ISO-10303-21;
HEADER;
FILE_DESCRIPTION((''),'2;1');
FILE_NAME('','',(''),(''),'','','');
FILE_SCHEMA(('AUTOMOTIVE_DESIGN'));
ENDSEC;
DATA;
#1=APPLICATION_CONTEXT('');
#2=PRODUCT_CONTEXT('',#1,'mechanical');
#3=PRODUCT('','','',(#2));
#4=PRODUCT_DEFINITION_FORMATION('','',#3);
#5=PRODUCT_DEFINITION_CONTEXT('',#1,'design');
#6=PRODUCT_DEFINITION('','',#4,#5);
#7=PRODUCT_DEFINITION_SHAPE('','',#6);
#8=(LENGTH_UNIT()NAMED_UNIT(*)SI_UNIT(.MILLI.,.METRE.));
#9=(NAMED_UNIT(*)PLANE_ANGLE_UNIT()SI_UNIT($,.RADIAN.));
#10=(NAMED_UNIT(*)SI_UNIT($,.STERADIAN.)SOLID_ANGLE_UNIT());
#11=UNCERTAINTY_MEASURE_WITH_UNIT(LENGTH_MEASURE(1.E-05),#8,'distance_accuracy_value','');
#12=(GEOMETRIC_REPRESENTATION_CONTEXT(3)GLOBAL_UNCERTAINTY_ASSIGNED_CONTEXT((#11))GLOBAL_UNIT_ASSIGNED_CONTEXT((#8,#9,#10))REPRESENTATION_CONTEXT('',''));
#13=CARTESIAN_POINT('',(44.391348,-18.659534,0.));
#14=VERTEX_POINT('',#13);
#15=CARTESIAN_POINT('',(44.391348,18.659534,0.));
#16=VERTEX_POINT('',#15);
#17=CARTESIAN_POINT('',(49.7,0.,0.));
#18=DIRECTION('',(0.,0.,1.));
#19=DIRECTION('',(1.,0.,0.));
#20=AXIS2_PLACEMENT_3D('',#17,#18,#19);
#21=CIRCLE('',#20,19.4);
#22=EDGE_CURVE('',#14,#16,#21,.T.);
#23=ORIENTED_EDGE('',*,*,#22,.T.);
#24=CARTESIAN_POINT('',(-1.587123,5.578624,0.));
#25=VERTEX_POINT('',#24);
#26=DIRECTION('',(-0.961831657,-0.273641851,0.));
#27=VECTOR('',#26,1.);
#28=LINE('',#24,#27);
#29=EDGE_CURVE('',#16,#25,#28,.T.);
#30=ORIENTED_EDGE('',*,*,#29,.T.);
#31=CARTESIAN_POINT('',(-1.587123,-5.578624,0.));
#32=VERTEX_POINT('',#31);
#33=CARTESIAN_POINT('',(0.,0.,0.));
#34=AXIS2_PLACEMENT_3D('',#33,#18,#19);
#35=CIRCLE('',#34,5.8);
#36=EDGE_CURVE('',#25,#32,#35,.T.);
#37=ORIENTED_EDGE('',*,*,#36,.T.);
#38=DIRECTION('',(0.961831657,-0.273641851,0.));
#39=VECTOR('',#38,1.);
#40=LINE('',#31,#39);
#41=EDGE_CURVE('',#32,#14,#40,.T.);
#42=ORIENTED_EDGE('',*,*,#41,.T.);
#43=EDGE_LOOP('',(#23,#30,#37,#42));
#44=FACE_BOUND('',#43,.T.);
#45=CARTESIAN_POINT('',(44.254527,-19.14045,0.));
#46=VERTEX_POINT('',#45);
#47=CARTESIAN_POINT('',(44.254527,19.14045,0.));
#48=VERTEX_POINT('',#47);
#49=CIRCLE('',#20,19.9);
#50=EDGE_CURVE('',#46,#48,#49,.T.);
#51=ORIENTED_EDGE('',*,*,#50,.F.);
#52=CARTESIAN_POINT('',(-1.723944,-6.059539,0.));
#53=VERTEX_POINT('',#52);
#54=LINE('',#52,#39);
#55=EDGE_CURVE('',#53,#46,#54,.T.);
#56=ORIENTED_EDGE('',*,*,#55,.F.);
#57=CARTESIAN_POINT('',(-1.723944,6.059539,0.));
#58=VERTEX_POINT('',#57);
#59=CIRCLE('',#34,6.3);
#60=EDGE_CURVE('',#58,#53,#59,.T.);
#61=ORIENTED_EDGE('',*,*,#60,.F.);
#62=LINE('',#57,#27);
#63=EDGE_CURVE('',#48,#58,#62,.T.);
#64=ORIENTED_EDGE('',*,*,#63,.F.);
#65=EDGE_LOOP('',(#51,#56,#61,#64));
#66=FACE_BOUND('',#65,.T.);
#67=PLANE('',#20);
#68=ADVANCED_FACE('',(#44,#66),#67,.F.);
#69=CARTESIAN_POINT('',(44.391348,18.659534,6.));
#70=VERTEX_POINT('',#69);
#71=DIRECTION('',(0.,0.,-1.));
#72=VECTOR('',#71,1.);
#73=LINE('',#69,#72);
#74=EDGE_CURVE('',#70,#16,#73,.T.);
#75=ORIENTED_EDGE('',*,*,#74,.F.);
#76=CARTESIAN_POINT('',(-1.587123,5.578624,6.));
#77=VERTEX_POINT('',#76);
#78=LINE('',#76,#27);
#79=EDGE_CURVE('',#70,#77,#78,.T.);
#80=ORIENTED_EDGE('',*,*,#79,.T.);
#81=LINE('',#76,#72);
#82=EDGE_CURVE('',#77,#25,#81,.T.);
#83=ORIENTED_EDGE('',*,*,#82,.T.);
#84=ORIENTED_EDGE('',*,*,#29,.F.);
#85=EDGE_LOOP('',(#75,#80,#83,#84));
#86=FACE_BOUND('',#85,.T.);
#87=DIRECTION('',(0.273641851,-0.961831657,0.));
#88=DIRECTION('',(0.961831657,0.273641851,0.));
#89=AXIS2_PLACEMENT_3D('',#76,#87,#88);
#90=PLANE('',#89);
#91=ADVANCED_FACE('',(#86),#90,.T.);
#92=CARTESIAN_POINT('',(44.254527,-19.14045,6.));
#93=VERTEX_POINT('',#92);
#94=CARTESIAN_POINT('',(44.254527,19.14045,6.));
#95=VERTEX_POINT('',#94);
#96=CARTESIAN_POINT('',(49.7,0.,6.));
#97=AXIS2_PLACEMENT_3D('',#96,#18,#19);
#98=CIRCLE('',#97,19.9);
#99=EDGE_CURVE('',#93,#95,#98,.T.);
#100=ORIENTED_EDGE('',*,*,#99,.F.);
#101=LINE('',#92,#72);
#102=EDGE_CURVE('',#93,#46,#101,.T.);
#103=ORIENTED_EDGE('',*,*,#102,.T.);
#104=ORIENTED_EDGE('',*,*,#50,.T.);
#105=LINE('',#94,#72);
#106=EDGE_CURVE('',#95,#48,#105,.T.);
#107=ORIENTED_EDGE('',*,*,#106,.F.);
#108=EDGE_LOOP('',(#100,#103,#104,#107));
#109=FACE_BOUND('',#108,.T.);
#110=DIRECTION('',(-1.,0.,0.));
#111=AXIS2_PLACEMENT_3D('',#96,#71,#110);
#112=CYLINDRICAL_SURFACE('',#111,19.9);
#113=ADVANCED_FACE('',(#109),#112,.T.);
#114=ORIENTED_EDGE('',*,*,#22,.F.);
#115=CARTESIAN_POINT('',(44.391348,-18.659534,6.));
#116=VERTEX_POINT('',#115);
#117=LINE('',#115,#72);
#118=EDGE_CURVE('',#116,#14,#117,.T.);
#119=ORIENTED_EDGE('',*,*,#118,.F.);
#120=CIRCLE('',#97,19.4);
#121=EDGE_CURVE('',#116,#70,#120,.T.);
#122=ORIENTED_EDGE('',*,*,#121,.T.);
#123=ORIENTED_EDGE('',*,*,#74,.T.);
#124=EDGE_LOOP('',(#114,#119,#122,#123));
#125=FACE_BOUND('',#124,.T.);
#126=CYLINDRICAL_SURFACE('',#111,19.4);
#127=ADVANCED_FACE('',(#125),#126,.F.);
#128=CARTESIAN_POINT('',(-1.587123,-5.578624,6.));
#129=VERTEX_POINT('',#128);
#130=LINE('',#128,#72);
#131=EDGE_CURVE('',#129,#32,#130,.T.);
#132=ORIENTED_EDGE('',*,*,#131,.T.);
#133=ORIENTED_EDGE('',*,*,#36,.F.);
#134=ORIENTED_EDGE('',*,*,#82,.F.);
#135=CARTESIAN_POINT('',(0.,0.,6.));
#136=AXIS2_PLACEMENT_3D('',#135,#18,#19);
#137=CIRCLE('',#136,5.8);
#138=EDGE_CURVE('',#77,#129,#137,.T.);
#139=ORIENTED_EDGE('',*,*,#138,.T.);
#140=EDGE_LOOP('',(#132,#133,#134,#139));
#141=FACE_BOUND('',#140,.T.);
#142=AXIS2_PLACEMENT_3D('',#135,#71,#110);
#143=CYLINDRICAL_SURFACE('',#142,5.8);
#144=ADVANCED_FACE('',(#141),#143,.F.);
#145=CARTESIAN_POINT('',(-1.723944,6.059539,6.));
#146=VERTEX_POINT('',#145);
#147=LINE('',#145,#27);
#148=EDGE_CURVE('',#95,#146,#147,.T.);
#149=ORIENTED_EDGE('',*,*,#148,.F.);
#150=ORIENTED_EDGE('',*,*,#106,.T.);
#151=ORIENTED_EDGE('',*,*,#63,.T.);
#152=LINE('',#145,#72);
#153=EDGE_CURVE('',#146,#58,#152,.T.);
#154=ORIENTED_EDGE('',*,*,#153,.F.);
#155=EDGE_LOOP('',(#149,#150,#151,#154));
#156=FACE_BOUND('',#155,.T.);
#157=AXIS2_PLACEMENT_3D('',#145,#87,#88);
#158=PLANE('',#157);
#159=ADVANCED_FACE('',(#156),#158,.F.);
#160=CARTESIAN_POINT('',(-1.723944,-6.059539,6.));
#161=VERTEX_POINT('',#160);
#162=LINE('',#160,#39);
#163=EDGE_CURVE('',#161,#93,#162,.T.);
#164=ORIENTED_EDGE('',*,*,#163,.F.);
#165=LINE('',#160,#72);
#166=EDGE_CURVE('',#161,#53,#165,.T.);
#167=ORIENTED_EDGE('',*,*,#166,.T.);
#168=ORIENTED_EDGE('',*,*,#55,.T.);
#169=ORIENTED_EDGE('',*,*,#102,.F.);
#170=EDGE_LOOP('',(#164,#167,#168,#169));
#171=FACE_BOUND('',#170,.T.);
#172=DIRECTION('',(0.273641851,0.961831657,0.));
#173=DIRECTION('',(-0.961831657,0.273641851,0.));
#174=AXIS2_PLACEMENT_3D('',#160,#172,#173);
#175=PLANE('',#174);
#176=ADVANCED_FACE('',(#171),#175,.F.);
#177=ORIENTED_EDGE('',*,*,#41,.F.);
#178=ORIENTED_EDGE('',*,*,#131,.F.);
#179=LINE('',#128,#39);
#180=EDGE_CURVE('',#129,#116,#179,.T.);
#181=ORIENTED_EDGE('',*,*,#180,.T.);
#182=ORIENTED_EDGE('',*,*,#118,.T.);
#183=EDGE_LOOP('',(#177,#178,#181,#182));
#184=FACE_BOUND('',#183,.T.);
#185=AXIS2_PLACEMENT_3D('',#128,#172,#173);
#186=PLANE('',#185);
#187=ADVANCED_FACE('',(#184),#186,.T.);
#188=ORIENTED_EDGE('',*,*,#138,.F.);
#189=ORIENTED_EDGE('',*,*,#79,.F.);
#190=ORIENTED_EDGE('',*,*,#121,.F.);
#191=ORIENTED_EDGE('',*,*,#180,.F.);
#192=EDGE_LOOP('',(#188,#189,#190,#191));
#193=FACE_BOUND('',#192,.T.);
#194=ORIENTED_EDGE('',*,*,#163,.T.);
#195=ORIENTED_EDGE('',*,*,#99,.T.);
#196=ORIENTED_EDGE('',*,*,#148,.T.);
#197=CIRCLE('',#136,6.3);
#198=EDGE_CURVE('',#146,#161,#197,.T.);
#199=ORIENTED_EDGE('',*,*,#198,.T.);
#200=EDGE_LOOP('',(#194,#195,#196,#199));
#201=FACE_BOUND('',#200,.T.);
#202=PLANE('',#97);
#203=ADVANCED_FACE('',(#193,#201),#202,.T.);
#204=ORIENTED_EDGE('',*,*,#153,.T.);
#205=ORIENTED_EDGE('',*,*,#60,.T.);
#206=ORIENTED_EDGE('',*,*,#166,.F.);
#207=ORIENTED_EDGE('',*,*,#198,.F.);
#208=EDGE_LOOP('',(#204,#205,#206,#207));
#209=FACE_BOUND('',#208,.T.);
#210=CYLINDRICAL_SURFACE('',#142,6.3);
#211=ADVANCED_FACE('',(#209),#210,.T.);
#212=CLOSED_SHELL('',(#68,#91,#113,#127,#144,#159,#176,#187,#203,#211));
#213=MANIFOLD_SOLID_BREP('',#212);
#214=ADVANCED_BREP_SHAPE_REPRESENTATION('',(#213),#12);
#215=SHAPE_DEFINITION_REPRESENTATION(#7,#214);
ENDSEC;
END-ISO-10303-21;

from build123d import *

# Parameters (mm, degrees)
BOSS_EXTRUDE1_DEPTH = 6


with BuildPart() as part:
    # Sketch1 → Boss-Extrude1 (new body)
    with BuildSketch(Plane.XY):
        with BuildLine():
            Line((-1.723943662, 6.059539442), (44.254527163, 19.140449984))
            ThreePointArc((44.254527163, 19.140449984), (69.6, 0), (44.254527163, -19.140449984))
            Line((44.254527163, -19.140449984), (-1.723943662, -6.059539442))
            ThreePointArc((-1.723943662, -6.059539442), (-6.3, 0), (-1.723943662, 6.059539442))
        make_face()
        with BuildLine():
            Line((-1.587122736, 5.578623613), (44.391348089, 18.659534155))
            ThreePointArc((44.391348089, 18.659534155), (69.1, 0), (44.391348089, -18.659534155))
            Line((44.391348089, -18.659534155), (-1.587122736, -5.578623613))
            ThreePointArc((-1.587122736, -5.578623613), (-5.8, 0), (-1.587122736, 5.578623613))
        make_face(mode=Mode.SUBTRACT)
    extrude(amount=BOSS_EXTRUDE1_DEPTH)


solid = part.part
